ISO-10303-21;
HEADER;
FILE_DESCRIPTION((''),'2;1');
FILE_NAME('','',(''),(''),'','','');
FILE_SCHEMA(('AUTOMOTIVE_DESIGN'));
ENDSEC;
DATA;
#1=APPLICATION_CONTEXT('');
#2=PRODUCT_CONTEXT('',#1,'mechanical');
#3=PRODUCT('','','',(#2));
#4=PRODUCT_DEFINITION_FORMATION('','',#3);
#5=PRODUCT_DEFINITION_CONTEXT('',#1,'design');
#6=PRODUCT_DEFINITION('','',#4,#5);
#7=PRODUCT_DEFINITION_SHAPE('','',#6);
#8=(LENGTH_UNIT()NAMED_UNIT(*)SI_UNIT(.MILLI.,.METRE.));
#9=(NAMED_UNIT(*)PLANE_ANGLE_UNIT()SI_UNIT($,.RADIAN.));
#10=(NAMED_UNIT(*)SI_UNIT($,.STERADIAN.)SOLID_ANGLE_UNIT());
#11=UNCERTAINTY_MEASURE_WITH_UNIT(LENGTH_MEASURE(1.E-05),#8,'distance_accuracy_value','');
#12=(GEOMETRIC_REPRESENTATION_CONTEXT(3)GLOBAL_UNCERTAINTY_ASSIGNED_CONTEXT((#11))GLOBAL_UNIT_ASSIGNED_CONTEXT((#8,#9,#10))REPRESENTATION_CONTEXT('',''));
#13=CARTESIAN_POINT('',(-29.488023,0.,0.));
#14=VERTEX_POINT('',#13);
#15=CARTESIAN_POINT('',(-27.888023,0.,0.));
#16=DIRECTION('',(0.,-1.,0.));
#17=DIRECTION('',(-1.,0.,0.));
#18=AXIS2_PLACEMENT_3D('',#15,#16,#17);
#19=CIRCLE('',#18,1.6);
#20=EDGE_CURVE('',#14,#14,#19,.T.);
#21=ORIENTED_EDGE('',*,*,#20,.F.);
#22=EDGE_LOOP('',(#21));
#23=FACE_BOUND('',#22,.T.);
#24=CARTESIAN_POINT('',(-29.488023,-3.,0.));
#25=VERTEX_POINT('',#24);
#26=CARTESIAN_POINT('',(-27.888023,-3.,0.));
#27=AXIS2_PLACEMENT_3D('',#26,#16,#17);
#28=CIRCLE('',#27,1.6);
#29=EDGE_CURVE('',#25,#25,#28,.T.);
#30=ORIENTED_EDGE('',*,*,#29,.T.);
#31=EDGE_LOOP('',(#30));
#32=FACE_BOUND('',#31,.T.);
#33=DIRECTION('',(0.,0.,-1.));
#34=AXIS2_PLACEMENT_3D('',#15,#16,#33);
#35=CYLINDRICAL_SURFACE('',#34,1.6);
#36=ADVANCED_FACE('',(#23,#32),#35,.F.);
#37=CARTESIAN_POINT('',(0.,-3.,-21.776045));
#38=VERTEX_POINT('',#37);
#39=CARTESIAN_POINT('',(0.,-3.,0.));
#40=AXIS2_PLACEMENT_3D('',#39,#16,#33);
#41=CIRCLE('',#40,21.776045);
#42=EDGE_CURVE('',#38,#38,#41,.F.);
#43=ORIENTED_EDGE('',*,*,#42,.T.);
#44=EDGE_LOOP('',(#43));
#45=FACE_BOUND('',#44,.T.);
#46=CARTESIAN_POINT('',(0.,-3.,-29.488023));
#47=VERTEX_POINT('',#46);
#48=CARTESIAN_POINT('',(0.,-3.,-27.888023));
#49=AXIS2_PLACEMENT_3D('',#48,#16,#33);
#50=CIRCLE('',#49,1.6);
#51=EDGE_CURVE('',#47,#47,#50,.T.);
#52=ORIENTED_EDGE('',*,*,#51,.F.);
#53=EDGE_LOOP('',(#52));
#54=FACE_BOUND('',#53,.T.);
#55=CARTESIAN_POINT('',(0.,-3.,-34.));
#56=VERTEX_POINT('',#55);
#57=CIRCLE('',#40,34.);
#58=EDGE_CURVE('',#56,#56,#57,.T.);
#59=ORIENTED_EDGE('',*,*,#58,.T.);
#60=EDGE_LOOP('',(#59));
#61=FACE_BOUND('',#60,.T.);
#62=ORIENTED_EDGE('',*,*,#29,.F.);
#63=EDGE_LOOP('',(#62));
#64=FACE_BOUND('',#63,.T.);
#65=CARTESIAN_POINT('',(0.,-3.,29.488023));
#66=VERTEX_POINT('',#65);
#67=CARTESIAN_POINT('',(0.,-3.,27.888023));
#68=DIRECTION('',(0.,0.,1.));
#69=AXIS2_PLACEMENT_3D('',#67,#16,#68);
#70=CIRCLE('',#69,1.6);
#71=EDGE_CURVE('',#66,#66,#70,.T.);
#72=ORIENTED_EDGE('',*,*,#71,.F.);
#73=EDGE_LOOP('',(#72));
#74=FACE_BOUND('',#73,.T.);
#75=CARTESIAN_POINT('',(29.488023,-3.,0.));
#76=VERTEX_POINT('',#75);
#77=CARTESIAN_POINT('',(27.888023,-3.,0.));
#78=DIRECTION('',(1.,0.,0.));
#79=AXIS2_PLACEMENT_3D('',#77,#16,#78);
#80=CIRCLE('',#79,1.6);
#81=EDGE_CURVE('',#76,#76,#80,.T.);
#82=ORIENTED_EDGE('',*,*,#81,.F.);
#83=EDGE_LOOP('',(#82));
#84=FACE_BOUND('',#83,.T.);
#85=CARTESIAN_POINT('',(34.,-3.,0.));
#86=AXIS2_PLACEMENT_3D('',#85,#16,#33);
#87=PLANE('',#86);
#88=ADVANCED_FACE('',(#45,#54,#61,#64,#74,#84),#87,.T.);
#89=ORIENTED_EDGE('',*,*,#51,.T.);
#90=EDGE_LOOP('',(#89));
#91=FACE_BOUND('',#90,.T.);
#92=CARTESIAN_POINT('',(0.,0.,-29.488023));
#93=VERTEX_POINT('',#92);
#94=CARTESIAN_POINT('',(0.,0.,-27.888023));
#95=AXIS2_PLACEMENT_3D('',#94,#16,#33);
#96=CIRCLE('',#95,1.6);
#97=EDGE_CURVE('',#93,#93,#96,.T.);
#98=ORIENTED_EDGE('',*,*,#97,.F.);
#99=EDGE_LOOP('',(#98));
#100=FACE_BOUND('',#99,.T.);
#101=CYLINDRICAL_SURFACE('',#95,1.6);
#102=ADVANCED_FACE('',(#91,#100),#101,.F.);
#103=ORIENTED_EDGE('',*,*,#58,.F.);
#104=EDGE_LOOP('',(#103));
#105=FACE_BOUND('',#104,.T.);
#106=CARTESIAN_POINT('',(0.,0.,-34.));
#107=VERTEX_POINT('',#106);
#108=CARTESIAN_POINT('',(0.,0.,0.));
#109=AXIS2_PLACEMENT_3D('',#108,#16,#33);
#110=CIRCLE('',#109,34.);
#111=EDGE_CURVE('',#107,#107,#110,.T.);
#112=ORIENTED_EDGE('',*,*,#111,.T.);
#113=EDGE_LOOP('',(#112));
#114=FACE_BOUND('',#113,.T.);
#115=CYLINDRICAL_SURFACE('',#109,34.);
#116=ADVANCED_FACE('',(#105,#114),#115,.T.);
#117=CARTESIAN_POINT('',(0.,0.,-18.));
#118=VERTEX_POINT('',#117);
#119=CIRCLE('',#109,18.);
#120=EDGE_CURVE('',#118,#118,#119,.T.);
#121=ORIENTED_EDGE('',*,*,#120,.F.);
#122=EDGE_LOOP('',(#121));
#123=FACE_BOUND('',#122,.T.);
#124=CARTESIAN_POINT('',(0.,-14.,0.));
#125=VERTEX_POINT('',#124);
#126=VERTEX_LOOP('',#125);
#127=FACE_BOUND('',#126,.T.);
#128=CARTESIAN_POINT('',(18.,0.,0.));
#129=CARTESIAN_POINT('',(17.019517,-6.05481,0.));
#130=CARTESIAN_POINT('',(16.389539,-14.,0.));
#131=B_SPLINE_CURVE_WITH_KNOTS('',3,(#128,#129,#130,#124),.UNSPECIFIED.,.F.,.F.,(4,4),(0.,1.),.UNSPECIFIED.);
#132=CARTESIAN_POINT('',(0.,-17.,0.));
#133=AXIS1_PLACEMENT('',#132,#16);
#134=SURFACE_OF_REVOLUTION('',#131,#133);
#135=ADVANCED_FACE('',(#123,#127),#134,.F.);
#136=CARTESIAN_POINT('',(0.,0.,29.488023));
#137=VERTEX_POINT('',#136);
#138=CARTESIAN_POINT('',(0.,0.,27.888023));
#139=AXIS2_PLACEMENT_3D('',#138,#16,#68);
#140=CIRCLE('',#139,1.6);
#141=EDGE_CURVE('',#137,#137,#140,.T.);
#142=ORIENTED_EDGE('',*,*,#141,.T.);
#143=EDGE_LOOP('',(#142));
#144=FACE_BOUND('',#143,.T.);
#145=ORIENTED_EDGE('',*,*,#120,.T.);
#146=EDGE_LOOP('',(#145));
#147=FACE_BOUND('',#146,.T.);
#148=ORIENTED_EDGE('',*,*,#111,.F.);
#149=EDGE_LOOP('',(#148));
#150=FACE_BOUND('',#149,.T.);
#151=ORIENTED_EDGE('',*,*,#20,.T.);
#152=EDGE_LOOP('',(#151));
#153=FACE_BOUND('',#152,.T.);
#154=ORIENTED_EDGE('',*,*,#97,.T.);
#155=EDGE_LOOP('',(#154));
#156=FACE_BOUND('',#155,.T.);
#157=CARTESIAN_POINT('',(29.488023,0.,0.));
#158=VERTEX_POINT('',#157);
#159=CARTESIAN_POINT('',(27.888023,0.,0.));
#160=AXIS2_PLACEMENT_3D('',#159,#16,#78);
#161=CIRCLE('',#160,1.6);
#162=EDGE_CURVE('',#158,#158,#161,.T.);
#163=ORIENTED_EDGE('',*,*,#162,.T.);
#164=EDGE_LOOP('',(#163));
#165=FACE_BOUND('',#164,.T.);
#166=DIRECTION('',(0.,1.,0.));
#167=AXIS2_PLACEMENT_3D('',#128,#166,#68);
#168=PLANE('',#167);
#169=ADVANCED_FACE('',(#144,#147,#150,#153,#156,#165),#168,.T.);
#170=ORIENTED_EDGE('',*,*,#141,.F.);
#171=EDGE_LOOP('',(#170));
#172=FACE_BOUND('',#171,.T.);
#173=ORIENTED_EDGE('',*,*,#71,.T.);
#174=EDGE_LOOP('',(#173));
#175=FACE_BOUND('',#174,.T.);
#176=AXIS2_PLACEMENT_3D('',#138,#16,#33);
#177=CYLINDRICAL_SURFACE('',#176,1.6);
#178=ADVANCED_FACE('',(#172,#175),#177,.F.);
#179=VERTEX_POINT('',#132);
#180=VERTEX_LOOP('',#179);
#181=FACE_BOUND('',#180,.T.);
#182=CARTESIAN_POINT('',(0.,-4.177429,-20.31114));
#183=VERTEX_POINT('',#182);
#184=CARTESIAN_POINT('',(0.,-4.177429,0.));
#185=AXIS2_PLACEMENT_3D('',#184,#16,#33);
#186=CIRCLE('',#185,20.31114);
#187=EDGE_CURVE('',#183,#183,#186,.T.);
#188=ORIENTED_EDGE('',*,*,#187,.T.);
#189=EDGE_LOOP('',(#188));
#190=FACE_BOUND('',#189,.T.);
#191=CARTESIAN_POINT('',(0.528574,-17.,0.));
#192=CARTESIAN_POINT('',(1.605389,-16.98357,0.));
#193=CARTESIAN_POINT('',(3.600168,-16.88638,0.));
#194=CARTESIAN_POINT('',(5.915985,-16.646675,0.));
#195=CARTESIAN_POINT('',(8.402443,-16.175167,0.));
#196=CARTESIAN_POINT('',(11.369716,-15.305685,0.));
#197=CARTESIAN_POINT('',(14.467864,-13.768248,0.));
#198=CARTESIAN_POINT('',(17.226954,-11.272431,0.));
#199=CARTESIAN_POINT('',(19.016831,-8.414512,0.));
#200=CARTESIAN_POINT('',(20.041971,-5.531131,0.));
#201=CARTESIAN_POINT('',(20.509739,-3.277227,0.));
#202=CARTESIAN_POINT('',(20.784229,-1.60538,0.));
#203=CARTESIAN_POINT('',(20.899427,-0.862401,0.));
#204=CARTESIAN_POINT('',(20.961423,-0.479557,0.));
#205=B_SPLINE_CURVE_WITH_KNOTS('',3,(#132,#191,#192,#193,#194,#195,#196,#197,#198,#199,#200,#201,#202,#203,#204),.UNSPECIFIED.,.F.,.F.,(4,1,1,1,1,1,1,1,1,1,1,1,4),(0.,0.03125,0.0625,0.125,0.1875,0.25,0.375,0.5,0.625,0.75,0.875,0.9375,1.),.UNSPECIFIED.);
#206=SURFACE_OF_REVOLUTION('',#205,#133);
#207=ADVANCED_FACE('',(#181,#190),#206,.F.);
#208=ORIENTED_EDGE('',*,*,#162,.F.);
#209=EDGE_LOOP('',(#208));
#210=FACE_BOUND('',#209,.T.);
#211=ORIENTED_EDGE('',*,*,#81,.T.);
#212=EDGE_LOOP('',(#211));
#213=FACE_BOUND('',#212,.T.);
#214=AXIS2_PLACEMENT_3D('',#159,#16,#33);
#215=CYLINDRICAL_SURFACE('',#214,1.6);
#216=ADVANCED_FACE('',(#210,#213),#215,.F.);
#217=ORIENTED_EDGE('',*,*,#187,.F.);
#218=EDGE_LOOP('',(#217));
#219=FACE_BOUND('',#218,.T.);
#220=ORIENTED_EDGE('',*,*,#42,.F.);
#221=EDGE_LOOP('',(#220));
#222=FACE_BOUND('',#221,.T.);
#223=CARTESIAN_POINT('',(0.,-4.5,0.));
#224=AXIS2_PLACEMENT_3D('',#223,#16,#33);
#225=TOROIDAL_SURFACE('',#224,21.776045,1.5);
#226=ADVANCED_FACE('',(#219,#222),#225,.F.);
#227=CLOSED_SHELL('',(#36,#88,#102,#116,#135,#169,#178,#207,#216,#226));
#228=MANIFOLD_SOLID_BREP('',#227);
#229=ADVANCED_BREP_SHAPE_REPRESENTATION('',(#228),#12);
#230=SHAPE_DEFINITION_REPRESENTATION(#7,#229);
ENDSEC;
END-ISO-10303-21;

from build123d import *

# Parameters (mm, degrees)
SKETCH3_W          = 13.453428953
SKETCH3_H          = 3
FILLET1_R          = 1.5
SKETCH4_R          = 1.6
CUT_EXTRUDE1_DEPTH = 51.079936266
CIRPATTERN1_COUNT  = 4


with BuildPart() as part:
    # Sketch1 → Revolve1 (revolve)
    with BuildSketch(Plane.XY, mode=Mode.PRIVATE) as revolve1_sk:
        with BuildLine():
            Line((0, -17), (0, -14))
            add(Edge.make_bspline(
                [(0, -14), (16.389539142, -14), (17.019517421, -6.054809845), (18, 0)],
                knots=[0, 0, 0, 0, 1, 1, 1, 1], degree=3))
            Line((18, 0), (20.961422891, 0))
            Line((20.961422891, 0), (20.961422891, -0.479556523))
            add(Edge.make_bspline(
                [(0, -17), (0.528573753, -17), (1.605388754, -16.983569549), (3.600168077, -16.886379692), (5.915984959, -16.646675198), (8.402442715, -16.175166648), (11.369715767, -15.30568509), (14.467863823, -13.768247798), (17.226954494, -11.272431323), (19.016831185, -8.41451175), (20.041971454, -5.53113124), (20.509739393, -3.277227242), (20.784228644, -1.605380322), (20.899427173, -0.862400942), (20.961422891, -0.479556523)],
                knots=[0, 0, 0, 0, 0.03125, 0.0625, 0.125, 0.1875, 0.25, 0.375, 0.5, 0.625, 0.75, 0.875, 0.9375, 1, 1, 1, 1], degree=3))
        make_face()
    revolve(revolve1_sk.sketch.rotate(Axis((0, -17, 0), (0, 1, 0)), 90), axis=Axis((0, -17, 0), (0, 1, 0)))

    # Sketch3 → Revolve2 (revolve)
    with BuildSketch(Plane.XY, mode=Mode.PRIVATE) as revolve2_sk:
        with Locations((27.273285524, -1.5)):
            Rectangle(SKETCH3_W, SKETCH3_H)
    revolve(revolve2_sk.sketch.rotate(Axis((0, 0, 0), (0, 1, 0)), 90), axis=Axis((0, 0, 0), (0, 1, 0)))

    # Fillet1
    fillet1_edges = [part.edges().sort_by_distance(p)[0] for p in [
        (0, -3, 20.546571047),
    ]]
    fillet(fillet1_edges, radius=FILLET1_R)

    # Sketch4 → Cut-Extrude1 (cut, through all)
    with BuildSketch(Plane.XZ.offset(3)):
        with Locations(Location((0, -27.888022688, 0), (0, 0, 270))):
            Circle(SKETCH4_R)
    cut_extrude1 = extrude(amount=-CUT_EXTRUDE1_DEPTH, mode=Mode.SUBTRACT)

    # CirPattern1: Cut-Extrude1 ×4 about axis
    cirpattern1_axis = Axis((0, 0, 0), (0, 1, 0))
    for i in range(1, CIRPATTERN1_COUNT):
        add(cut_extrude1.rotate(cirpattern1_axis, i * 360 / CIRPATTERN1_COUNT), mode=Mode.SUBTRACT)


solid = part.part
